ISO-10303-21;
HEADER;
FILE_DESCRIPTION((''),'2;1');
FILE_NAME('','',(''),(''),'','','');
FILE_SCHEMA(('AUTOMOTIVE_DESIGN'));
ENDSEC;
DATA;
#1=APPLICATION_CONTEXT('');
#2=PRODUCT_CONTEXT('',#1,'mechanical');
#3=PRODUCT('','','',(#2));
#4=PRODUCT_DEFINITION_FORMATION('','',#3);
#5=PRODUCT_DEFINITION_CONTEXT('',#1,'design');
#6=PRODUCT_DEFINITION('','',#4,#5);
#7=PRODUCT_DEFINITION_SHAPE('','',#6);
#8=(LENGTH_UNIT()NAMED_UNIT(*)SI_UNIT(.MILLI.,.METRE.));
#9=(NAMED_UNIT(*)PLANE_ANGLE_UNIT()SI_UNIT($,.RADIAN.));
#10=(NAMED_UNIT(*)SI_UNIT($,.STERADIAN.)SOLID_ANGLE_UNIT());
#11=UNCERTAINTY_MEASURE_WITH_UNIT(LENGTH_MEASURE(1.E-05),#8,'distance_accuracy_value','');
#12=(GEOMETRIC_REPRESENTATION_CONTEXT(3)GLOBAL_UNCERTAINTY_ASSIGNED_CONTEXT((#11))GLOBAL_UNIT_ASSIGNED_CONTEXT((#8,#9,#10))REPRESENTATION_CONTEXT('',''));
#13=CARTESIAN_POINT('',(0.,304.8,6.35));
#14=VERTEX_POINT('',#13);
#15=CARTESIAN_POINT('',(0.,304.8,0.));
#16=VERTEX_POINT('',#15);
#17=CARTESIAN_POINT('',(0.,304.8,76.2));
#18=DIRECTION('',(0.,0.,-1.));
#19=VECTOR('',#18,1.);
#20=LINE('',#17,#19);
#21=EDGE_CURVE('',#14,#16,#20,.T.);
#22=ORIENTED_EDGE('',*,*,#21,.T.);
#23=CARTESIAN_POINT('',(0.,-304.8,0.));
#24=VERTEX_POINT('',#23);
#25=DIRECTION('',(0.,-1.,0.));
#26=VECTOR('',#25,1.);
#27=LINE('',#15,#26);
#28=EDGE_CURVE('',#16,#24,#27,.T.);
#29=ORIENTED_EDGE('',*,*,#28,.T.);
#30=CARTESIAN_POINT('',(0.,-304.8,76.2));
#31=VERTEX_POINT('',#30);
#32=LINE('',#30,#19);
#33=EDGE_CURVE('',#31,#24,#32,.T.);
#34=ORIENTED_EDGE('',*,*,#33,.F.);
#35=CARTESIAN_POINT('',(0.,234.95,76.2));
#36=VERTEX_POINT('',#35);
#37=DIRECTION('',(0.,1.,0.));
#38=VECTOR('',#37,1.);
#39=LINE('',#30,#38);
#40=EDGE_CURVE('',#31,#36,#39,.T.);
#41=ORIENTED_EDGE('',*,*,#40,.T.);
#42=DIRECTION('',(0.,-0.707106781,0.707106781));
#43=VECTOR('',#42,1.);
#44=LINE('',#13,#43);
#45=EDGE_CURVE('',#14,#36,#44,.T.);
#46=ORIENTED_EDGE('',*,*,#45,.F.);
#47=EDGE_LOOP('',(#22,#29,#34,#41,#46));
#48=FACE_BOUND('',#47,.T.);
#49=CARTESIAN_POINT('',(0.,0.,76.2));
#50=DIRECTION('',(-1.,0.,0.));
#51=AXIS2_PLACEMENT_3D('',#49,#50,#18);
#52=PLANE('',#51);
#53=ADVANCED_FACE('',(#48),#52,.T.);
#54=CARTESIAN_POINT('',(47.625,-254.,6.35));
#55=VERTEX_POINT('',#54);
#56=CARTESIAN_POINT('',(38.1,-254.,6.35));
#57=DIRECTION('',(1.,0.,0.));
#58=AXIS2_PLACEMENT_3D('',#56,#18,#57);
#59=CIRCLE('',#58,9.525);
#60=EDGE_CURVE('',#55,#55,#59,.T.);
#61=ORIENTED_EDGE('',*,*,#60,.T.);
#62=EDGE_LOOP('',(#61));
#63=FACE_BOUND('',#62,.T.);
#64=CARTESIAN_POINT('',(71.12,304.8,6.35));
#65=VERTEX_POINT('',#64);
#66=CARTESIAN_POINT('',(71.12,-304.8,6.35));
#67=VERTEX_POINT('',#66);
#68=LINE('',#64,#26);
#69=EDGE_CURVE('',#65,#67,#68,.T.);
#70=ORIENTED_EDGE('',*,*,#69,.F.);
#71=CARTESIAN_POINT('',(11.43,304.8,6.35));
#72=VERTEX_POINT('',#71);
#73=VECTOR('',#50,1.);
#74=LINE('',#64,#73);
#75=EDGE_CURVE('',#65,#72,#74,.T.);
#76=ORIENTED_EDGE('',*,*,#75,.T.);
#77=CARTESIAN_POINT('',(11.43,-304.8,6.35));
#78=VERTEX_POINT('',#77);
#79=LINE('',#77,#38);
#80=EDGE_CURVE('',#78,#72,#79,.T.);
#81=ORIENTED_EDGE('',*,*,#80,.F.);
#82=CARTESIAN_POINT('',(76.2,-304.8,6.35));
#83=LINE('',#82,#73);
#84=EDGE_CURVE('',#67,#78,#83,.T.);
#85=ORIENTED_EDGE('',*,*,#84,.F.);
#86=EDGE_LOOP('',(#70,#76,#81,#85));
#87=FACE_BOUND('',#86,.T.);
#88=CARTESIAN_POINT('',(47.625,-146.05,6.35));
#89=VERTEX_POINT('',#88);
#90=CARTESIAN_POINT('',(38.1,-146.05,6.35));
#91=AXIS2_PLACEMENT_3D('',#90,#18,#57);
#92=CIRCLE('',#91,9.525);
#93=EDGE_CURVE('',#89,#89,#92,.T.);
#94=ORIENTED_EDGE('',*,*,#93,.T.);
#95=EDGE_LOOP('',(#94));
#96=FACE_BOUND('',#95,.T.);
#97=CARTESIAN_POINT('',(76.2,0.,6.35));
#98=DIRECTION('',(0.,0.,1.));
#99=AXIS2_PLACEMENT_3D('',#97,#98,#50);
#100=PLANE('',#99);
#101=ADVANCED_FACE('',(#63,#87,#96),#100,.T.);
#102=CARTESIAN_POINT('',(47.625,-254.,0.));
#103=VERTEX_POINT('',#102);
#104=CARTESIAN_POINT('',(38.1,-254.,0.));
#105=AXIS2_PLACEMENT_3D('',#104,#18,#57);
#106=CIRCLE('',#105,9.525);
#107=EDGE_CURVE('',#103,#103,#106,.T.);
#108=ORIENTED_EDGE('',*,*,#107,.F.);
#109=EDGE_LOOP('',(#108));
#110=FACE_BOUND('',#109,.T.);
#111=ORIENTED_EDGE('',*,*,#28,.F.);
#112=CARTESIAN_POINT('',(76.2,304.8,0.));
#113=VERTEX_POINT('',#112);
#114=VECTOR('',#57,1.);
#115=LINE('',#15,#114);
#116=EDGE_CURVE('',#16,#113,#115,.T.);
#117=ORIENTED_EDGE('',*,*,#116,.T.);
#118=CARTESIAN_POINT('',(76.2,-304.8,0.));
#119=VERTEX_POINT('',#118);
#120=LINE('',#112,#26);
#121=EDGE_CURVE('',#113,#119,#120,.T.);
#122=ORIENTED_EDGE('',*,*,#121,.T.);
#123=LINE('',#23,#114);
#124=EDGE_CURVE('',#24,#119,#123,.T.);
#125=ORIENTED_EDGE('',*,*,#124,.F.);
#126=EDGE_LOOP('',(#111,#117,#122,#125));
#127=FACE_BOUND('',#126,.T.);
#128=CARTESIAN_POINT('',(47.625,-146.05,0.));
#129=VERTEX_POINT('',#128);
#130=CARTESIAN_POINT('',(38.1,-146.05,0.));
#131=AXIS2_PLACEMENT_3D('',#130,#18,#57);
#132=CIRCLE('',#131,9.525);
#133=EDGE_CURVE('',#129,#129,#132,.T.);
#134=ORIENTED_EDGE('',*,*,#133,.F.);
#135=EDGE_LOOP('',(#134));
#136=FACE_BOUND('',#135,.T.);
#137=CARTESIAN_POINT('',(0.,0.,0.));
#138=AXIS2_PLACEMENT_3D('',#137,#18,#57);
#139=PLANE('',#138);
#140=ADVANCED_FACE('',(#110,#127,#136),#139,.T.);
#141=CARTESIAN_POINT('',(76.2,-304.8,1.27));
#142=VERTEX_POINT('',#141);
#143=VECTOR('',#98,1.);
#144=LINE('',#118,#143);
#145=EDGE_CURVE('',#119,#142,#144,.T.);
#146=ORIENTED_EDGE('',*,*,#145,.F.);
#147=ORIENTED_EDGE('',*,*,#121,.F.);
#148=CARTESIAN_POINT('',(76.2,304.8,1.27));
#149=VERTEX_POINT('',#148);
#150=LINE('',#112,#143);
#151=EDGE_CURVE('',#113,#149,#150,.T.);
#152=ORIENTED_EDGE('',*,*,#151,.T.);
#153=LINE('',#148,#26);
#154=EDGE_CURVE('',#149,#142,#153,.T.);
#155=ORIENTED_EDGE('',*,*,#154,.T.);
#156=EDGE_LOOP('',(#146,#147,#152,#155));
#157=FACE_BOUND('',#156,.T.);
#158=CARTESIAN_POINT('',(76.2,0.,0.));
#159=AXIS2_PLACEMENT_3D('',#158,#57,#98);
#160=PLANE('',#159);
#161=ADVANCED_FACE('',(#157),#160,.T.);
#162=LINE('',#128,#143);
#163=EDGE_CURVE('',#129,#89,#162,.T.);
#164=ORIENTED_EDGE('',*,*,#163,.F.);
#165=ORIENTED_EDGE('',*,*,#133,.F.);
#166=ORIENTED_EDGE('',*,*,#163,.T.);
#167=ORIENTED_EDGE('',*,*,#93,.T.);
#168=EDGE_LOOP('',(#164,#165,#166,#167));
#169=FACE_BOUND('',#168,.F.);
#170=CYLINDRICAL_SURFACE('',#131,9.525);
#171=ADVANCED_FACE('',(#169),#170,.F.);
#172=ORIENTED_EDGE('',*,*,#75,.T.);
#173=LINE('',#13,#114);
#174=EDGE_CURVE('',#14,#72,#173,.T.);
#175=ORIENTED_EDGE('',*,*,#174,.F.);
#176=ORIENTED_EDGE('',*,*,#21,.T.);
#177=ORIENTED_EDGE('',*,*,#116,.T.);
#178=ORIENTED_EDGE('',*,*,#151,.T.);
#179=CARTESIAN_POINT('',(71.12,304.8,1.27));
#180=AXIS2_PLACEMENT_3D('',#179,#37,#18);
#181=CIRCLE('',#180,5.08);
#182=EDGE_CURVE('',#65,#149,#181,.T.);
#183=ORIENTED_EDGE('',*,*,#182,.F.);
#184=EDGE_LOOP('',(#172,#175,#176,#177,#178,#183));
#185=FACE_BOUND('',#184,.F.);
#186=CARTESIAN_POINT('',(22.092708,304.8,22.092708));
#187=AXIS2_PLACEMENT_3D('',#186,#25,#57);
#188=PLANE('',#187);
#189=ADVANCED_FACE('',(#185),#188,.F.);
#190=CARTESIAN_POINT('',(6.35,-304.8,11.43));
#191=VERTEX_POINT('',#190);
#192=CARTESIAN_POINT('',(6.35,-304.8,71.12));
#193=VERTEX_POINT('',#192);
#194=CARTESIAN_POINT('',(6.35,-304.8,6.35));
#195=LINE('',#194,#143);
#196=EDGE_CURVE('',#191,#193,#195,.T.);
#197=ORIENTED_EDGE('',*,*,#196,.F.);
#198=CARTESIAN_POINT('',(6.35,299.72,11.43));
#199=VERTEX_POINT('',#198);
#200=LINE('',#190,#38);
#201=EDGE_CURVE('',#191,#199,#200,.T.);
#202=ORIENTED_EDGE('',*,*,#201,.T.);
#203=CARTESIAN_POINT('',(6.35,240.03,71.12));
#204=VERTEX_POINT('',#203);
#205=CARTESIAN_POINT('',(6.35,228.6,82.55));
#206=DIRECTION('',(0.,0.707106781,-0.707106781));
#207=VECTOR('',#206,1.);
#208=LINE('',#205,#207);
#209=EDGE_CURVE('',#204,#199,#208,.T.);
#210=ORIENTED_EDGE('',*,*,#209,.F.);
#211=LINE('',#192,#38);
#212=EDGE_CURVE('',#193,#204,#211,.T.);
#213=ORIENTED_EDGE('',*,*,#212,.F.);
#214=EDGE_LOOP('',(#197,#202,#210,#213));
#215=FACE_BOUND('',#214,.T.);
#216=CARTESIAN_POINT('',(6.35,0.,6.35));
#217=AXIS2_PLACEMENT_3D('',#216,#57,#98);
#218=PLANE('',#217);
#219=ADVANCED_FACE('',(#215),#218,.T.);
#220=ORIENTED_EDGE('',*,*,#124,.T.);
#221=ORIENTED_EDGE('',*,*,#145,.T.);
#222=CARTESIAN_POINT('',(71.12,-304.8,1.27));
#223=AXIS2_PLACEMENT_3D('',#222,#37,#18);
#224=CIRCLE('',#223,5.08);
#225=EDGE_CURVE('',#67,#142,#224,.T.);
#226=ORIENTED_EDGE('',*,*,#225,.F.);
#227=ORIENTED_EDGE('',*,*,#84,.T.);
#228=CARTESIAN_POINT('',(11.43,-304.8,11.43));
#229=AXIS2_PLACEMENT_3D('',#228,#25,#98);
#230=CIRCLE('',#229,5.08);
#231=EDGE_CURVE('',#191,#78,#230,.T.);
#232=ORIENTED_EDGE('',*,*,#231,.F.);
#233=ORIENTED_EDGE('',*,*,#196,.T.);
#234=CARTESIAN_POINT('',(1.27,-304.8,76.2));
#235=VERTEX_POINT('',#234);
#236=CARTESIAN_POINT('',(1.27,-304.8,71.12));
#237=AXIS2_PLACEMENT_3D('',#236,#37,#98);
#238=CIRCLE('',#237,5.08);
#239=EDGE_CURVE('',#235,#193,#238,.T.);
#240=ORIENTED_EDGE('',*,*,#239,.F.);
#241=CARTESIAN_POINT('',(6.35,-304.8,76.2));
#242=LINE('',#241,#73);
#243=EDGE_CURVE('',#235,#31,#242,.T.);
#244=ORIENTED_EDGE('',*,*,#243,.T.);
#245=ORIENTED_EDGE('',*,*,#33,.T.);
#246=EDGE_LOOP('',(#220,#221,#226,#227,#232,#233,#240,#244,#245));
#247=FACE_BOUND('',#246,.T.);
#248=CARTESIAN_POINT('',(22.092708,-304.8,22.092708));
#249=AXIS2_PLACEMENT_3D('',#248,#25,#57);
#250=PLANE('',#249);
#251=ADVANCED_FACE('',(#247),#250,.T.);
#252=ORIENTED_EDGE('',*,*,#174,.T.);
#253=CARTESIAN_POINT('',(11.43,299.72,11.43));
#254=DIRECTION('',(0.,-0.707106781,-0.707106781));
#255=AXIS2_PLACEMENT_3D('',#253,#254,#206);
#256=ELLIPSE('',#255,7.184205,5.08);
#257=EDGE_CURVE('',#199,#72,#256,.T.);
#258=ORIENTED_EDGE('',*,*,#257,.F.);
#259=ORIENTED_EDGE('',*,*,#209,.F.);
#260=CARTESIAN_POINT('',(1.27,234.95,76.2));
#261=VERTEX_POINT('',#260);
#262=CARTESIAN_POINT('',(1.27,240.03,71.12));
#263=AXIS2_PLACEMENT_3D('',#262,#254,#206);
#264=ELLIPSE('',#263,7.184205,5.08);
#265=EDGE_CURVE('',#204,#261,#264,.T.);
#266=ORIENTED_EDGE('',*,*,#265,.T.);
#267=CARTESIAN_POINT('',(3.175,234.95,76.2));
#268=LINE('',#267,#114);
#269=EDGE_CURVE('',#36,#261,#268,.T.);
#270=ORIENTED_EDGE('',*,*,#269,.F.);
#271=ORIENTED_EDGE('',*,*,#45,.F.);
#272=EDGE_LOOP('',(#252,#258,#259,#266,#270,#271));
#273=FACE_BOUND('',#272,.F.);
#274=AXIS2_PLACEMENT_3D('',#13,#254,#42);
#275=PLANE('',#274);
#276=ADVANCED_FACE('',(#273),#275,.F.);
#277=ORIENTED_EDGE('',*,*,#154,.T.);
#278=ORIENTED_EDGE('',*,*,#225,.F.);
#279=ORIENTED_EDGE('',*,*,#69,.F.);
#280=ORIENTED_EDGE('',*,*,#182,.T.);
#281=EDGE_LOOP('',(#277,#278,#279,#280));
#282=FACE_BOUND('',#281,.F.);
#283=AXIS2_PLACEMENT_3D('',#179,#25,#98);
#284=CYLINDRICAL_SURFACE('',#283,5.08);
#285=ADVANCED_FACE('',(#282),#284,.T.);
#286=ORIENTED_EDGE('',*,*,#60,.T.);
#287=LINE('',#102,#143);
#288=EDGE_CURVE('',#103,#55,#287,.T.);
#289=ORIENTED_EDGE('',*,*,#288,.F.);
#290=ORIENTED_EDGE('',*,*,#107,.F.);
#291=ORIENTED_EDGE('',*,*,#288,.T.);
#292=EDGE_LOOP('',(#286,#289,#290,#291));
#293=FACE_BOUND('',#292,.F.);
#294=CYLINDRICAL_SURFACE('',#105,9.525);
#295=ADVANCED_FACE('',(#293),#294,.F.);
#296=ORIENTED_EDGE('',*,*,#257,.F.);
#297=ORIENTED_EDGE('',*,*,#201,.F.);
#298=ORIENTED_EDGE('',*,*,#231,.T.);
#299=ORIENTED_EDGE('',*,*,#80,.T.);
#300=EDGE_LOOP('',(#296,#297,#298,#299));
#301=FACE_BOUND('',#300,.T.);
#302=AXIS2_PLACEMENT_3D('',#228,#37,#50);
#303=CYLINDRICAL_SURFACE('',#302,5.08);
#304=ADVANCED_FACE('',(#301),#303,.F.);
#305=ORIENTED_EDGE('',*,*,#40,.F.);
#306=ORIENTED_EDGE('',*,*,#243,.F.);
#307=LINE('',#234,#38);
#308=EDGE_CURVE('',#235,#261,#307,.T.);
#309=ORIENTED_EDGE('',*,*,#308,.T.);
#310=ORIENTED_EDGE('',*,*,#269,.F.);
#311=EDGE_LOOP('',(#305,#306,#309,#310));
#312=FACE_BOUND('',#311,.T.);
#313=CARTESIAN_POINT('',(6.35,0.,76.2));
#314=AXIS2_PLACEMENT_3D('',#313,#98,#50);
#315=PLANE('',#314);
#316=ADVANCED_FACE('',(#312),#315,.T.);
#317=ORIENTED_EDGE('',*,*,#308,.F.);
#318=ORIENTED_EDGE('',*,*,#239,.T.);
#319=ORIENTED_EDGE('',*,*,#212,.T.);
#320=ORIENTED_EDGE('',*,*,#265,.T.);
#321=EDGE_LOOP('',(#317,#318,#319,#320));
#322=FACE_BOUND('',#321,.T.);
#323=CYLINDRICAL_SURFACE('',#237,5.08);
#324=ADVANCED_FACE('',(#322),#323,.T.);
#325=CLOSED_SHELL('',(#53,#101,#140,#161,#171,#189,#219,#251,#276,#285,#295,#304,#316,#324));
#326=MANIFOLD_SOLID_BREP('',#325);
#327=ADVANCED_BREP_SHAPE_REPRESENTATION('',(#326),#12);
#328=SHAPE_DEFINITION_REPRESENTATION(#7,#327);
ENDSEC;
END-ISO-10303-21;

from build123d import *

# Parameters (mm, degrees)
F1_DEPTH = 304.8
F2_R     = 5.08
F4_DEPTH = 25.4
F5_R     = 9.525
F6_DEPTH = 25.4


with BuildPart() as f1:
    # F0 (on Front) → F1 (new body, symmetric)
    with BuildSketch(Plane.XZ):
        Polygon((0, 76.2), (0, 0), (76.2, 0), (76.2, 6.35), (6.35, 6.35), (6.35, 76.2), align=None)
    extrude(amount=F1_DEPTH, both=True)

    # F2
    f2_edges = [f1.edges().sort_by_distance(p)[0] for p in [
        (6.35, 0, 76.2),
        (6.35, 0, 6.35),
        (76.2, 0, 6.35),
    ]]
    fillet(f2_edges, radius=F2_R)

    # F3 (on face) → F4 (cut)
    with BuildSketch(Plane(origin=(0, 0, 0), x_dir=(0, -1, 0), z_dir=(-1, 0, 0))):
        Polygon((-304.8, 116.164517), (-304.8, 6.35), (-194.985483, 116.164517), align=None)
    extrude(amount=-F4_DEPTH, mode=Mode.SUBTRACT)

    # F5 (on face) → F6 (cut)
    with BuildSketch(Plane(origin=(0, 0, 0), x_dir=(1, 0, 0), z_dir=(0, 0, -1))):
        with Locations((38.1, 254)):
            Circle(F5_R)
        with Locations((38.1, 146.05)):
            Circle(F5_R)
    extrude(amount=-F6_DEPTH, mode=Mode.SUBTRACT)


solid = f1.part
